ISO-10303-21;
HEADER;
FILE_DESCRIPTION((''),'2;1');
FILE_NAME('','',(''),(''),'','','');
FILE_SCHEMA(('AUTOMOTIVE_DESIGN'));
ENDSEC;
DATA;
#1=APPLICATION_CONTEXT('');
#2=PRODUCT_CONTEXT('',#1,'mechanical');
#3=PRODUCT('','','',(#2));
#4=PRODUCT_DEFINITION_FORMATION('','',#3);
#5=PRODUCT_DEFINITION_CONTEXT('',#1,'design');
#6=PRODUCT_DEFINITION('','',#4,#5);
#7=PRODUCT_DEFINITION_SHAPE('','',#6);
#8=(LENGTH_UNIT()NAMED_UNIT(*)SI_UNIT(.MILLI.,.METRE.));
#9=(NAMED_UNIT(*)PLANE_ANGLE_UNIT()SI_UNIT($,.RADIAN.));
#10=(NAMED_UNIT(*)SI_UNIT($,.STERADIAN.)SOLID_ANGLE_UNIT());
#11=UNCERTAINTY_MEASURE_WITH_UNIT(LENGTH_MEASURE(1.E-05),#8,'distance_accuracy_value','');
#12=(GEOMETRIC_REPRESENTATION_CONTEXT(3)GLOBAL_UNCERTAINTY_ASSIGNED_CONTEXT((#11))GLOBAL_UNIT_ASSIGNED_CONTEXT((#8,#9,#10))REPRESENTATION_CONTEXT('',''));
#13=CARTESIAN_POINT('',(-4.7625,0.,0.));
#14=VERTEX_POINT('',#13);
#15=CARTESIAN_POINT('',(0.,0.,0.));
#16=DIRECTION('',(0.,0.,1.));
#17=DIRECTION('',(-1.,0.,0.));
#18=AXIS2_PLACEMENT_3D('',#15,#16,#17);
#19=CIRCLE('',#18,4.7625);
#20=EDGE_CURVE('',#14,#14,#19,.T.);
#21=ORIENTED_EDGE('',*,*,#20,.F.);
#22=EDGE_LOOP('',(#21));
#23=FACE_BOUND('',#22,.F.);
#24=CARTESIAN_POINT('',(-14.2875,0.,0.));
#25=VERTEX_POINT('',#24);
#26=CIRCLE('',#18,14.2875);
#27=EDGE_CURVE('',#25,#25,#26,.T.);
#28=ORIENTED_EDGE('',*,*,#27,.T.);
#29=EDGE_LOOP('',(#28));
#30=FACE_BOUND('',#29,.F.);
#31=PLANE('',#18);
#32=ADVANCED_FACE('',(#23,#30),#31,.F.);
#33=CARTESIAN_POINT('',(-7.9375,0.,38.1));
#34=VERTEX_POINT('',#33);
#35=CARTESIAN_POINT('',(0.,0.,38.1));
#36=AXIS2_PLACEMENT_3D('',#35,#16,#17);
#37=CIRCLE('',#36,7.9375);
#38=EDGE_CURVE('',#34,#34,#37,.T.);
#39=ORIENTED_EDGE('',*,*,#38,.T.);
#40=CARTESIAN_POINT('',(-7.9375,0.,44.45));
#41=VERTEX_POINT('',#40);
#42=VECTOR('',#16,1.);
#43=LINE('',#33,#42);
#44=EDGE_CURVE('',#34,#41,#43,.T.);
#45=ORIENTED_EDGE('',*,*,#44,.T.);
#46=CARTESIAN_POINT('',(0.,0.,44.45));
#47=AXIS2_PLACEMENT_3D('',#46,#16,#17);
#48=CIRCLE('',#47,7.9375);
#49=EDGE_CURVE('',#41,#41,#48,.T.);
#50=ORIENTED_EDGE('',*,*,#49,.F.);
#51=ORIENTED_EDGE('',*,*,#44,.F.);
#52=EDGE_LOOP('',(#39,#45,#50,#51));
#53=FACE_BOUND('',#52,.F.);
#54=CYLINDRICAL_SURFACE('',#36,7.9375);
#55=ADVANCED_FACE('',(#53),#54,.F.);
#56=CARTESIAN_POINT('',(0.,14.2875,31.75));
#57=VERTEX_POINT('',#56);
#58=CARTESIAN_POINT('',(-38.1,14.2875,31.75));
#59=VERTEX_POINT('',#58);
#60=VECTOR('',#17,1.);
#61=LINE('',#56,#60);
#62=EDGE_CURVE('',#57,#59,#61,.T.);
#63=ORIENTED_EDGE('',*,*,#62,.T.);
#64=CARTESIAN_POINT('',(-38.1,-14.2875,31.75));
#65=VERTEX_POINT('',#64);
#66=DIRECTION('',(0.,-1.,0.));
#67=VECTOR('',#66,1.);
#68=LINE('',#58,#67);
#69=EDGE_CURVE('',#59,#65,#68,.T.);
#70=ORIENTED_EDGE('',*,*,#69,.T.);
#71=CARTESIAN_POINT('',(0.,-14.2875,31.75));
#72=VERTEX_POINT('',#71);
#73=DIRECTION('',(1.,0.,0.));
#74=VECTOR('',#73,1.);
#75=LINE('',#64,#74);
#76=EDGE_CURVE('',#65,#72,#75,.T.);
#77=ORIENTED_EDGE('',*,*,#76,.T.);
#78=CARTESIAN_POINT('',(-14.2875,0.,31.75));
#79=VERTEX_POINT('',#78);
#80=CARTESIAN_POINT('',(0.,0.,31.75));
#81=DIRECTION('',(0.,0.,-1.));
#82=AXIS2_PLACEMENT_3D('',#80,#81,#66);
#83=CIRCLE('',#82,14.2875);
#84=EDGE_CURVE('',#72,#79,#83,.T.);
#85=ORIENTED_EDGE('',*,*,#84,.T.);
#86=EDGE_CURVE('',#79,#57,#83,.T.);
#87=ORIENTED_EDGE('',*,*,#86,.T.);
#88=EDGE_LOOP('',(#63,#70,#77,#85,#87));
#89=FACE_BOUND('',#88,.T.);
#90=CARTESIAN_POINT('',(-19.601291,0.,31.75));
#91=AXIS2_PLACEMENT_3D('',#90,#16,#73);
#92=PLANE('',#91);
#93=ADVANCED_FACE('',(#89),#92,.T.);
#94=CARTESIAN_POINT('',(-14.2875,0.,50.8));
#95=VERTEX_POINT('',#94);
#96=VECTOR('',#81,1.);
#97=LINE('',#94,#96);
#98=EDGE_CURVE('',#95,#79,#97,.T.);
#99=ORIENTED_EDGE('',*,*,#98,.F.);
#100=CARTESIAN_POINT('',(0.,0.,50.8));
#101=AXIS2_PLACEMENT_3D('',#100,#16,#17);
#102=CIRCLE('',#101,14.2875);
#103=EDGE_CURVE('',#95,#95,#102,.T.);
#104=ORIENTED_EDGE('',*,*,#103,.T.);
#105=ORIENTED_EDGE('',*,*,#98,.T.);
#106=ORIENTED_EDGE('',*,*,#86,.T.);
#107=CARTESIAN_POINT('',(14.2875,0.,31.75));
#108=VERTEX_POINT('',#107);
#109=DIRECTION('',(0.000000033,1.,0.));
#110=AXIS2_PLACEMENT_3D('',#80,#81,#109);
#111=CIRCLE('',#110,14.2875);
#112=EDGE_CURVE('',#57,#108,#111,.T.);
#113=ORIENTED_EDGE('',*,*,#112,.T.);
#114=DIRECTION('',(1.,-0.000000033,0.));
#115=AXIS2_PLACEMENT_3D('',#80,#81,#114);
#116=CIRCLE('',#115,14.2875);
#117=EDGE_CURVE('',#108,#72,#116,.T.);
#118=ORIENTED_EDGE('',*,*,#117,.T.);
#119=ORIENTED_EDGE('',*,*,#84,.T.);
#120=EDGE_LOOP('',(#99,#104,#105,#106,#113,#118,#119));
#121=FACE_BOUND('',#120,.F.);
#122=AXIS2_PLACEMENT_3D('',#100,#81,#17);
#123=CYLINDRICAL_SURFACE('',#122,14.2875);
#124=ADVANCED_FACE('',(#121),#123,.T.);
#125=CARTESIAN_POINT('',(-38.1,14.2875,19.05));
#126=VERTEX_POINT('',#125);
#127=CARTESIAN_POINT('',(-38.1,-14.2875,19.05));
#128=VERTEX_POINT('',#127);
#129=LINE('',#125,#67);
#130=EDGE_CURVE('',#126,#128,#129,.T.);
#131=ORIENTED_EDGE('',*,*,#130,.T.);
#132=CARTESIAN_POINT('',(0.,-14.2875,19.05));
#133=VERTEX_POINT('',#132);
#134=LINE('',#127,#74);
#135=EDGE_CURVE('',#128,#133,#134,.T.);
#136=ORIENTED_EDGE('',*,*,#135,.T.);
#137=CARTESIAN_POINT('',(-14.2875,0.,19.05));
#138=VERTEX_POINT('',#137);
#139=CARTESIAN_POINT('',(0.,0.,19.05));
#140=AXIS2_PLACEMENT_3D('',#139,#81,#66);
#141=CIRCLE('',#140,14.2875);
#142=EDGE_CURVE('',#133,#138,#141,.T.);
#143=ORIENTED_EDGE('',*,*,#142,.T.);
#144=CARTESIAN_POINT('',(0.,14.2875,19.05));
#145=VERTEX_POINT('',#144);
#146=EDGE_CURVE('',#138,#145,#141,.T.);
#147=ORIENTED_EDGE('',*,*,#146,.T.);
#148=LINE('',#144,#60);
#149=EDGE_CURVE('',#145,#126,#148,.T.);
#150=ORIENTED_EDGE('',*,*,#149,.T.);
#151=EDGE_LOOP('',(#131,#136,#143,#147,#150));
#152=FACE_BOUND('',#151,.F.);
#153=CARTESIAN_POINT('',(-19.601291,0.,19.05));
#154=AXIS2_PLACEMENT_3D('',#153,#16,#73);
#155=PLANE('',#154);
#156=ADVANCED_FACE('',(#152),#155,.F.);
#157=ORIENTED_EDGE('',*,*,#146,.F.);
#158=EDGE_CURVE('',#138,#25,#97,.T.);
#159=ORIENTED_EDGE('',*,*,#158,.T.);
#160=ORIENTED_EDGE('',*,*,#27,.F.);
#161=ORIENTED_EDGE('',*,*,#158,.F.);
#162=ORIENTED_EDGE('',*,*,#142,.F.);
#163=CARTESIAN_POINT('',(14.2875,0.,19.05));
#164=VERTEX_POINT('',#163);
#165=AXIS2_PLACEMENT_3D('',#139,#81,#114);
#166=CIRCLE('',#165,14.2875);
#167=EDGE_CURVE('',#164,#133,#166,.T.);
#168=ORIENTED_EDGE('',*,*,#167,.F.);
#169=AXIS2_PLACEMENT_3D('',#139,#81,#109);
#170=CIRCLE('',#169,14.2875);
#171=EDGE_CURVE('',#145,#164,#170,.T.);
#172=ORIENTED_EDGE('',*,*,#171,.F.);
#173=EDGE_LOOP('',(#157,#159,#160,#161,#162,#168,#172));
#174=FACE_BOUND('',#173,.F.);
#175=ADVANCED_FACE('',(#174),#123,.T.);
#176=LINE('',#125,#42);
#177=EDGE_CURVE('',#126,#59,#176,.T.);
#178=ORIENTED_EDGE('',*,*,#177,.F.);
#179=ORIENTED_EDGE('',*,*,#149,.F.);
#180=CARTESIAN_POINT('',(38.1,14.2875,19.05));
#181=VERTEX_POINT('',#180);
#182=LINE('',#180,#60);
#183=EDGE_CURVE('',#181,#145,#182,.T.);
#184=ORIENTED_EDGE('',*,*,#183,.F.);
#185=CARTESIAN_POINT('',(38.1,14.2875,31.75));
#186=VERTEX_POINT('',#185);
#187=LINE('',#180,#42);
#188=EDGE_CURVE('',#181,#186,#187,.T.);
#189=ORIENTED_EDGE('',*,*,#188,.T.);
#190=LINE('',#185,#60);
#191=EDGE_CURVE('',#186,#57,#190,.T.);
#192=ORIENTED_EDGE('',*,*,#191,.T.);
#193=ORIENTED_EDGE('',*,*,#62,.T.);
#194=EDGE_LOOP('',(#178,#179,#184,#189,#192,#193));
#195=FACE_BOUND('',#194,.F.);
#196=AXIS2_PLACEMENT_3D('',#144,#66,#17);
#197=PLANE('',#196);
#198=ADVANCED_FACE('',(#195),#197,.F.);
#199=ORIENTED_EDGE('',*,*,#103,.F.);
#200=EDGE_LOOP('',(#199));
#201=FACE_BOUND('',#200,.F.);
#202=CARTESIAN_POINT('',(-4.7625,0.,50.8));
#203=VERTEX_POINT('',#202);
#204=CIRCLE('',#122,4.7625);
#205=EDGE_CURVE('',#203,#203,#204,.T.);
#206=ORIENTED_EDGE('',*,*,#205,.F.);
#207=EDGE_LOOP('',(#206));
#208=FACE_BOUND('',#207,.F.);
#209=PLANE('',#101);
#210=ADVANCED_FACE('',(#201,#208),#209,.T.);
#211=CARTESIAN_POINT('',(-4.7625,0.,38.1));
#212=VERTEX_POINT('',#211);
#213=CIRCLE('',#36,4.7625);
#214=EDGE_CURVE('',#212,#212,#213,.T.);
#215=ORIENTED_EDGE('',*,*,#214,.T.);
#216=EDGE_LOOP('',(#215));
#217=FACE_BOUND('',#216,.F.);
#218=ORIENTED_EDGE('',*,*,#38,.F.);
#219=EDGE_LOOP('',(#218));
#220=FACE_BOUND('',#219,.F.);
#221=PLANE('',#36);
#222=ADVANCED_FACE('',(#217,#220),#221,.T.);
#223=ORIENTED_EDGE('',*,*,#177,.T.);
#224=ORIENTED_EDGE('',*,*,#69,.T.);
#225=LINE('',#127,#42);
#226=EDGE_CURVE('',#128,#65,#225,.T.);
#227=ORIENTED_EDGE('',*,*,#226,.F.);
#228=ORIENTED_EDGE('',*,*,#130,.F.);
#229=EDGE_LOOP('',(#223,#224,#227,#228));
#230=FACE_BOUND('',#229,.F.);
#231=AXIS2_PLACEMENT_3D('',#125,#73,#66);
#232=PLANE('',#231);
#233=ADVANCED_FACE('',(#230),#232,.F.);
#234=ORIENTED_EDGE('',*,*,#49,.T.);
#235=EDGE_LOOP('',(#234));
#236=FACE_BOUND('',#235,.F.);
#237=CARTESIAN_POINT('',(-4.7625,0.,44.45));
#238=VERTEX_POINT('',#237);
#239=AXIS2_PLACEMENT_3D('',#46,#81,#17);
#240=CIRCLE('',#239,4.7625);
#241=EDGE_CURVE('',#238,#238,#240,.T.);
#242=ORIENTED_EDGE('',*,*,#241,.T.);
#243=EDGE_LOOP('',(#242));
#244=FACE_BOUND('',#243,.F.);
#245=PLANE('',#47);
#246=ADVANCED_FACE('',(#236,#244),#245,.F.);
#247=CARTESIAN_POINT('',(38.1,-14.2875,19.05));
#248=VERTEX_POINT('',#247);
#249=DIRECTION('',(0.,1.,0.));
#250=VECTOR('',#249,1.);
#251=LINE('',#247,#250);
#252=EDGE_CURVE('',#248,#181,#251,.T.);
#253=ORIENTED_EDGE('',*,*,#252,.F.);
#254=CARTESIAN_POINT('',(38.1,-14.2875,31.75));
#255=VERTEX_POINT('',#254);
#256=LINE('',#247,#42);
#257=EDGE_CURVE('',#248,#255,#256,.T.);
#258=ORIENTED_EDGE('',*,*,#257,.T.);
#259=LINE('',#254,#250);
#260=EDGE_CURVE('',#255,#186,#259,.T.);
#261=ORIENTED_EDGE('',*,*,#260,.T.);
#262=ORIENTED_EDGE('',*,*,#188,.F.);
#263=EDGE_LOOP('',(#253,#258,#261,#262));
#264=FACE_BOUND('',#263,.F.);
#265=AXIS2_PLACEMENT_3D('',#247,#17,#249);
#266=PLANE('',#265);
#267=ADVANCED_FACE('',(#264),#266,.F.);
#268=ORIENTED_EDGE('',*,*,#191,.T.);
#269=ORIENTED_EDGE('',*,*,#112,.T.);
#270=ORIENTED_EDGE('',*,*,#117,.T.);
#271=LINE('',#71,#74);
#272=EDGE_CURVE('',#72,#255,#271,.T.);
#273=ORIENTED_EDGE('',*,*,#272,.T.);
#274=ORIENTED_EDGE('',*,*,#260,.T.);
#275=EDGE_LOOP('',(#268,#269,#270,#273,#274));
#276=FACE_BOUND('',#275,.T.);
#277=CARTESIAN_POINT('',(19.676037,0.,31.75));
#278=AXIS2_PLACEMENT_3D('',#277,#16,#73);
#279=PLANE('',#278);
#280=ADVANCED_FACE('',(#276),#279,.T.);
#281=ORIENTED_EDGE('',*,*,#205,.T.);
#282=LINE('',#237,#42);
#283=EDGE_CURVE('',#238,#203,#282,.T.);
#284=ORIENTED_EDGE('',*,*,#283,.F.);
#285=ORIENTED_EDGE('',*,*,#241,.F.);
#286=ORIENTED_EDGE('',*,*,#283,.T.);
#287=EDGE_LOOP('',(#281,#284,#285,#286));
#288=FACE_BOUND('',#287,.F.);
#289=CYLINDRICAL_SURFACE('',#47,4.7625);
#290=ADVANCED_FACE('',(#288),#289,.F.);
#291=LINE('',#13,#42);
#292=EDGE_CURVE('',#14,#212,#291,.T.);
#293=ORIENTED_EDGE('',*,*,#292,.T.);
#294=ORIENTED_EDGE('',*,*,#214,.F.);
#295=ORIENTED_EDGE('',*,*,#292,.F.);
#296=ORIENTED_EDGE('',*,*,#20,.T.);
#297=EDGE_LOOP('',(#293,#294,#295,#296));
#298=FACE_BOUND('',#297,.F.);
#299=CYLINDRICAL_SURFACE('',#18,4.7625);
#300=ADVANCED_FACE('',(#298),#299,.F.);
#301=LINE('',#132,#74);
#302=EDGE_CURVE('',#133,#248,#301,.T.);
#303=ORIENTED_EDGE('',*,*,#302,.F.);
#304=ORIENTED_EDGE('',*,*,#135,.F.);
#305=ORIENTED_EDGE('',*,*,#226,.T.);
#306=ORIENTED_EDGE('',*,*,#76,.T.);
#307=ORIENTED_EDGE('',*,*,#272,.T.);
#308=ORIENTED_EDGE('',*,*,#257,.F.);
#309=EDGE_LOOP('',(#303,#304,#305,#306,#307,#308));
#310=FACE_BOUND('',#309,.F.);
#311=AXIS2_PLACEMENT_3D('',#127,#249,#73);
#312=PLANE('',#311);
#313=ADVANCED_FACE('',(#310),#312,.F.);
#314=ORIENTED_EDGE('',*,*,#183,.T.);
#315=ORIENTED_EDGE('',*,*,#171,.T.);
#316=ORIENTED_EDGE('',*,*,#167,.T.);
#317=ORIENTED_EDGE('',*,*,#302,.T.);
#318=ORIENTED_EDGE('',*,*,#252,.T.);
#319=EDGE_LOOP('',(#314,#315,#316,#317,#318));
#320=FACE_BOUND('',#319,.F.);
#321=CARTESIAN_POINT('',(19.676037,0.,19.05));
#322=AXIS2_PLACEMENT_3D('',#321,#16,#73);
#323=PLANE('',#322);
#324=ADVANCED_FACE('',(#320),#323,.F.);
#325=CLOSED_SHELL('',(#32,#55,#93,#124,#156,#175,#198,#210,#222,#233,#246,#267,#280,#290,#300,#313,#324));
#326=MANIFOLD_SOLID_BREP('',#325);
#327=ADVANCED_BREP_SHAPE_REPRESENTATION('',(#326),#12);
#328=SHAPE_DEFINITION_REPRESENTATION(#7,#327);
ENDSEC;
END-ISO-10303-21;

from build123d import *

# Parameters (mm, degrees)
F4_DEPTH = 12.7
F5_R     = 4.7625
F6_DEPTH = 50.801


with BuildPart() as f1:
    # F0 (on Front) → F1 (revolve)
    with BuildSketch(Plane.XZ):
        Polygon((-4.7625, 44.45), (-4.7625, 50.8), (-14.2875, 50.8), (-14.2875, 0), (-4.7625, 0), (-4.7625, 38.1), (-7.9375, 38.1), (-7.9375, 44.45), align=None)
    revolve(axis=Axis((0, 0, 5.547127), (0, 0, 1)))

    # F3 (on offset) → F4 (join)
    with BuildSketch(Plane.XY.offset(19.05)):
        with BuildLine():
            Line((0, 14.2875), (-38.1, 14.2875))
            Line((-38.1, 14.2875), (-38.1, -14.2875))
            Line((-38.1, -14.2875), (0, -14.2875))
            ThreePointArc((0, -14.2875), (-14.2875, 0), (0, 14.2875))
        make_face()
        with BuildLine():
            Line((38.1, 14.2875), (0, 14.2875))
            ThreePointArc((0, 14.2875), (10.102788, 10.102788), (14.2875, 0))
            ThreePointArc((14.2875, 0), (10.102788, -10.102788), (0, -14.2875))
            Line((0, -14.2875), (38.1, -14.2875))
            Line((38.1, -14.2875), (38.1, 14.2875))
        make_face()
    extrude(amount=F4_DEPTH)

    # F5 (on face) → F6 (cut, through all)
    with BuildSketch(Plane.XY.offset(50.8)):
        Circle(F5_R)
    extrude(amount=-F6_DEPTH, mode=Mode.SUBTRACT)


solid = f1.part
